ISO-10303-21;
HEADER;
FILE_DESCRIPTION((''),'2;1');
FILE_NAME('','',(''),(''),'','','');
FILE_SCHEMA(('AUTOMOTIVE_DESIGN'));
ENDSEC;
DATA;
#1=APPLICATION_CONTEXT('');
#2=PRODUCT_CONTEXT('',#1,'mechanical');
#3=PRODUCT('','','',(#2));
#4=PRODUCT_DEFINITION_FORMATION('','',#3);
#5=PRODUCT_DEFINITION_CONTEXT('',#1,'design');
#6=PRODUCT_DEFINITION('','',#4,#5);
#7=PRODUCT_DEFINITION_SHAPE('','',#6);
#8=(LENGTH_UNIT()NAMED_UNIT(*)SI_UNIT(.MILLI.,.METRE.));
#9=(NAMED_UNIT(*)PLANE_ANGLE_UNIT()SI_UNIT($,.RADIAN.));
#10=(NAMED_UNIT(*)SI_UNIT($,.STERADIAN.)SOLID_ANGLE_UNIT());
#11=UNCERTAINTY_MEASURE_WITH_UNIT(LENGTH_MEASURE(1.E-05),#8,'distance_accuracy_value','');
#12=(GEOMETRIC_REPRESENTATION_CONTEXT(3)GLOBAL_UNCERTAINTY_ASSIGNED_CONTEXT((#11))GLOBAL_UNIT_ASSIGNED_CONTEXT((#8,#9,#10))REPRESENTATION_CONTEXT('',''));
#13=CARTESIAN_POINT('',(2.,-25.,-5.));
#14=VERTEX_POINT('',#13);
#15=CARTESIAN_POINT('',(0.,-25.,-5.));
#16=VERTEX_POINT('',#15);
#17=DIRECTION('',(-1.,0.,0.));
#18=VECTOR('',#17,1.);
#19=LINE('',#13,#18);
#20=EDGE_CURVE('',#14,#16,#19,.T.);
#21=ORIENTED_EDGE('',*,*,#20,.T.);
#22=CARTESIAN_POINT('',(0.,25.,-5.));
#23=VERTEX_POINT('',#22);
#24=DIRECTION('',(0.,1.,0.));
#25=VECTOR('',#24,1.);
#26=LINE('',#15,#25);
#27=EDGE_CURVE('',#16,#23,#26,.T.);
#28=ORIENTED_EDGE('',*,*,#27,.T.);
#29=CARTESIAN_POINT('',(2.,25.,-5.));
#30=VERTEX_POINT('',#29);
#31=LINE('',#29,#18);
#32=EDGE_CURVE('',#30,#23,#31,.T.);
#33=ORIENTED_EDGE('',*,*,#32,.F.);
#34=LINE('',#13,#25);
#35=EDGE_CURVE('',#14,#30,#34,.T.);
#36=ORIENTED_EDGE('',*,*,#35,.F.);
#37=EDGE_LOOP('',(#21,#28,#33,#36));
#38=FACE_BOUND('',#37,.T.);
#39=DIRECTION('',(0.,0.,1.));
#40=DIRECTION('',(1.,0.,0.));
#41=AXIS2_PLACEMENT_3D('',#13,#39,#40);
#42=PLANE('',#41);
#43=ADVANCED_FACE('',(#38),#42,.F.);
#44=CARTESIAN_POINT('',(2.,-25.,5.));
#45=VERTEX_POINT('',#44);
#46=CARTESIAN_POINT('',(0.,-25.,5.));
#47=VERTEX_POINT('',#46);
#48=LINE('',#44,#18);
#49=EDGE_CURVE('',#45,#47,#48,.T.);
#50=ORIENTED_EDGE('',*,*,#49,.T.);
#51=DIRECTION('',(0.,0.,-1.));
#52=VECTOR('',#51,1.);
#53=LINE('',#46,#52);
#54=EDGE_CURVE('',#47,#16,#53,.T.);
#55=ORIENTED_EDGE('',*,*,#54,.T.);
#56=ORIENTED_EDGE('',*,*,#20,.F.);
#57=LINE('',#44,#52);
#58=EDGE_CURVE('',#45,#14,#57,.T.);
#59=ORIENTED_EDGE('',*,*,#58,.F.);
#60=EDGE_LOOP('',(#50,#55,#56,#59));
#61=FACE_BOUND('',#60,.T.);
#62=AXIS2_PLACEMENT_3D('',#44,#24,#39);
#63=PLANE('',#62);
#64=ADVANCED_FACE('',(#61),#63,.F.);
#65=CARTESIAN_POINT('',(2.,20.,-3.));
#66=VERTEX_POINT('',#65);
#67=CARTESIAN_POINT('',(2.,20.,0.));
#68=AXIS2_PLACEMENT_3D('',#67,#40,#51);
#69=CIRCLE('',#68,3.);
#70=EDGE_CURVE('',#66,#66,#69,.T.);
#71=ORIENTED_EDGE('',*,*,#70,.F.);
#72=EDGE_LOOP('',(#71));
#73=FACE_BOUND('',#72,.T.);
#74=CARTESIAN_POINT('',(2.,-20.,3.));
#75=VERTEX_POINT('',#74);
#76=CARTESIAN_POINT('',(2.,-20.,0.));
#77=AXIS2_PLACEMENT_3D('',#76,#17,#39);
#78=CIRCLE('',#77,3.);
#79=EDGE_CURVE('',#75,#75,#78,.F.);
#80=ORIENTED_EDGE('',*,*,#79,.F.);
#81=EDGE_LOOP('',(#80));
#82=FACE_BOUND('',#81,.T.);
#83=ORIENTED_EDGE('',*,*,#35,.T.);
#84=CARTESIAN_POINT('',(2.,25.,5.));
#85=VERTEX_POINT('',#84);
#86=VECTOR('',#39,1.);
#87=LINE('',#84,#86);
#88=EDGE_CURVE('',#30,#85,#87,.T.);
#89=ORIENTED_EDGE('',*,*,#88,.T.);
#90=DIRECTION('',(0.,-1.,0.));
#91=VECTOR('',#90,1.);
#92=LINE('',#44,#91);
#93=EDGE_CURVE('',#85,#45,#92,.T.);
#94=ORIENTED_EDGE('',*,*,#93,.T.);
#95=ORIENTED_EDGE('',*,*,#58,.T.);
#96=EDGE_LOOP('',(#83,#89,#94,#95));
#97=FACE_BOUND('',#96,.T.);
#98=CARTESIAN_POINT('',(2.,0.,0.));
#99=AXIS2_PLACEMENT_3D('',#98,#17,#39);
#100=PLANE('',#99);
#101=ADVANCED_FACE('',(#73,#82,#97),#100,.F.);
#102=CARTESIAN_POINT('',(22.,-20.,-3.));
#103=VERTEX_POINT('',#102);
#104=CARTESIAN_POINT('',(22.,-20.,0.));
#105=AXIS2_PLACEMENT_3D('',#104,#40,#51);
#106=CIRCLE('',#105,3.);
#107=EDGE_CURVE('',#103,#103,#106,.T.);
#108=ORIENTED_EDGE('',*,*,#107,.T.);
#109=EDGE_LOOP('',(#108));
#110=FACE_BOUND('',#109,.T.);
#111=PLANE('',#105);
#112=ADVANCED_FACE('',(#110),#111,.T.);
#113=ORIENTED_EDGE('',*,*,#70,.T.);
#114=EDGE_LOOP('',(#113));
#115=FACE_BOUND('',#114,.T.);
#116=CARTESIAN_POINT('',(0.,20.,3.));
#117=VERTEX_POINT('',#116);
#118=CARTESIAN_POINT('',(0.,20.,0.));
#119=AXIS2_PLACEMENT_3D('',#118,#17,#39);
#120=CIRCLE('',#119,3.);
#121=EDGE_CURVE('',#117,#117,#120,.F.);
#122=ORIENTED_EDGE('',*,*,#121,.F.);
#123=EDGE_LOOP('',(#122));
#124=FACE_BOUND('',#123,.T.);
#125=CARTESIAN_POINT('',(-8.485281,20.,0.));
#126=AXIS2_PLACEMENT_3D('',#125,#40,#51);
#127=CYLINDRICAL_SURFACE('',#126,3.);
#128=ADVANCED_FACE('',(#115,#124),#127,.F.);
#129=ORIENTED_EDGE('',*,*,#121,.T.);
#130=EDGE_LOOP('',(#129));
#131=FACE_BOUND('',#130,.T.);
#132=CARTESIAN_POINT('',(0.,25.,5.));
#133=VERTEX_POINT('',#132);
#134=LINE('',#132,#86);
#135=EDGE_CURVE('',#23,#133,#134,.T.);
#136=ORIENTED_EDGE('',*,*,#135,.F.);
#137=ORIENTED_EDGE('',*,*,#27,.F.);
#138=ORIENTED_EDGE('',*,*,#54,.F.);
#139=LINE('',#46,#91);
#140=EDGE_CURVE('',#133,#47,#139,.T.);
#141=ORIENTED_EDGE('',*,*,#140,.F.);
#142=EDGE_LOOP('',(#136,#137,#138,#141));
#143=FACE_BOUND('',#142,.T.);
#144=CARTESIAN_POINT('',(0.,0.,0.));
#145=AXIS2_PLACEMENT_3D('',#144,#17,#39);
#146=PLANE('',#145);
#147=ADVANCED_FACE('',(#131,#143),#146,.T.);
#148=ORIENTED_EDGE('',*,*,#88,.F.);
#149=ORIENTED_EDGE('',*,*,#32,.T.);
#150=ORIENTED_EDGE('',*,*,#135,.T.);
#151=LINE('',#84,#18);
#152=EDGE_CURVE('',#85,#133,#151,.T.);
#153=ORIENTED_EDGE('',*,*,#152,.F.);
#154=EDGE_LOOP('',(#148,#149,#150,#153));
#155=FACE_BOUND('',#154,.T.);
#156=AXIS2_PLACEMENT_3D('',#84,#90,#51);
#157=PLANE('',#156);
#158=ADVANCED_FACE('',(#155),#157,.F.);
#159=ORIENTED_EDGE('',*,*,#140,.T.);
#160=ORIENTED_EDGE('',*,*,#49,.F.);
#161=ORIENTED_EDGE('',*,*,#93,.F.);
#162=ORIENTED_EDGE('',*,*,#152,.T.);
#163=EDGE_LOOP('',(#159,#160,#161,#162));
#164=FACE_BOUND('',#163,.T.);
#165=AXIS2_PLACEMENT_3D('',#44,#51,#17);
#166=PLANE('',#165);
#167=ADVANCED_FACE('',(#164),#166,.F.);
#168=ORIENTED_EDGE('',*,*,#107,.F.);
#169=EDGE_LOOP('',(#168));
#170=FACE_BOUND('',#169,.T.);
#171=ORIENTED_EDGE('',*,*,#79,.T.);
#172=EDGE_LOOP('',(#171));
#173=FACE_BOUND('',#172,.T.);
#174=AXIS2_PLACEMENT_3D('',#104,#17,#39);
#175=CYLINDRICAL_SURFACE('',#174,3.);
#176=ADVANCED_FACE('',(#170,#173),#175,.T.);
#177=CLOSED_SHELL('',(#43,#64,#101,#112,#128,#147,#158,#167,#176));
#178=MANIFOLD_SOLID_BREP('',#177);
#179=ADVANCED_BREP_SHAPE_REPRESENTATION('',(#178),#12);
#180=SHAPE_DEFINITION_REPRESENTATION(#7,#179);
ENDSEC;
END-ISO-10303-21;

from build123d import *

# Parameters (mm, degrees)
SKETCH1_W           = 10
SKETCH1_H           = 50
BOSS_EXTRUDE1_DEPTH = 2
SKETCH2_R           = 3
CUT_EXTRUDE1_DEPTH  = 2
SKETCH3_R           = 3
BOSS_EXTRUDE2_DEPTH = 20


with BuildPart() as part:
    # Sketch1 → Boss-Extrude1 (new body)
    with BuildSketch(Plane(origin=(0, 0, 0), x_dir=(0, 0, -1), z_dir=(1, 0, 0))):
        Rectangle(SKETCH1_W, SKETCH1_H)
    extrude(amount=BOSS_EXTRUDE1_DEPTH)

    # Sketch2 → Cut-Extrude1 (cut)
    with BuildSketch(Plane(origin=(2, 0, 0), x_dir=(0, 0, -1), z_dir=(1, 0, 0))):
        with Locations((0, 20)):
            Circle(SKETCH2_R)
    extrude(amount=-CUT_EXTRUDE1_DEPTH, mode=Mode.SUBTRACT)

    # Sketch3 → Boss-Extrude2 (add)
    with BuildSketch(Plane(origin=(2, 0, 0), x_dir=(0, 0, -1), z_dir=(1, 0, 0))):
        with Locations((0, -20)):
            Circle(SKETCH3_R)
    extrude(amount=BOSS_EXTRUDE2_DEPTH)


solid = part.part
